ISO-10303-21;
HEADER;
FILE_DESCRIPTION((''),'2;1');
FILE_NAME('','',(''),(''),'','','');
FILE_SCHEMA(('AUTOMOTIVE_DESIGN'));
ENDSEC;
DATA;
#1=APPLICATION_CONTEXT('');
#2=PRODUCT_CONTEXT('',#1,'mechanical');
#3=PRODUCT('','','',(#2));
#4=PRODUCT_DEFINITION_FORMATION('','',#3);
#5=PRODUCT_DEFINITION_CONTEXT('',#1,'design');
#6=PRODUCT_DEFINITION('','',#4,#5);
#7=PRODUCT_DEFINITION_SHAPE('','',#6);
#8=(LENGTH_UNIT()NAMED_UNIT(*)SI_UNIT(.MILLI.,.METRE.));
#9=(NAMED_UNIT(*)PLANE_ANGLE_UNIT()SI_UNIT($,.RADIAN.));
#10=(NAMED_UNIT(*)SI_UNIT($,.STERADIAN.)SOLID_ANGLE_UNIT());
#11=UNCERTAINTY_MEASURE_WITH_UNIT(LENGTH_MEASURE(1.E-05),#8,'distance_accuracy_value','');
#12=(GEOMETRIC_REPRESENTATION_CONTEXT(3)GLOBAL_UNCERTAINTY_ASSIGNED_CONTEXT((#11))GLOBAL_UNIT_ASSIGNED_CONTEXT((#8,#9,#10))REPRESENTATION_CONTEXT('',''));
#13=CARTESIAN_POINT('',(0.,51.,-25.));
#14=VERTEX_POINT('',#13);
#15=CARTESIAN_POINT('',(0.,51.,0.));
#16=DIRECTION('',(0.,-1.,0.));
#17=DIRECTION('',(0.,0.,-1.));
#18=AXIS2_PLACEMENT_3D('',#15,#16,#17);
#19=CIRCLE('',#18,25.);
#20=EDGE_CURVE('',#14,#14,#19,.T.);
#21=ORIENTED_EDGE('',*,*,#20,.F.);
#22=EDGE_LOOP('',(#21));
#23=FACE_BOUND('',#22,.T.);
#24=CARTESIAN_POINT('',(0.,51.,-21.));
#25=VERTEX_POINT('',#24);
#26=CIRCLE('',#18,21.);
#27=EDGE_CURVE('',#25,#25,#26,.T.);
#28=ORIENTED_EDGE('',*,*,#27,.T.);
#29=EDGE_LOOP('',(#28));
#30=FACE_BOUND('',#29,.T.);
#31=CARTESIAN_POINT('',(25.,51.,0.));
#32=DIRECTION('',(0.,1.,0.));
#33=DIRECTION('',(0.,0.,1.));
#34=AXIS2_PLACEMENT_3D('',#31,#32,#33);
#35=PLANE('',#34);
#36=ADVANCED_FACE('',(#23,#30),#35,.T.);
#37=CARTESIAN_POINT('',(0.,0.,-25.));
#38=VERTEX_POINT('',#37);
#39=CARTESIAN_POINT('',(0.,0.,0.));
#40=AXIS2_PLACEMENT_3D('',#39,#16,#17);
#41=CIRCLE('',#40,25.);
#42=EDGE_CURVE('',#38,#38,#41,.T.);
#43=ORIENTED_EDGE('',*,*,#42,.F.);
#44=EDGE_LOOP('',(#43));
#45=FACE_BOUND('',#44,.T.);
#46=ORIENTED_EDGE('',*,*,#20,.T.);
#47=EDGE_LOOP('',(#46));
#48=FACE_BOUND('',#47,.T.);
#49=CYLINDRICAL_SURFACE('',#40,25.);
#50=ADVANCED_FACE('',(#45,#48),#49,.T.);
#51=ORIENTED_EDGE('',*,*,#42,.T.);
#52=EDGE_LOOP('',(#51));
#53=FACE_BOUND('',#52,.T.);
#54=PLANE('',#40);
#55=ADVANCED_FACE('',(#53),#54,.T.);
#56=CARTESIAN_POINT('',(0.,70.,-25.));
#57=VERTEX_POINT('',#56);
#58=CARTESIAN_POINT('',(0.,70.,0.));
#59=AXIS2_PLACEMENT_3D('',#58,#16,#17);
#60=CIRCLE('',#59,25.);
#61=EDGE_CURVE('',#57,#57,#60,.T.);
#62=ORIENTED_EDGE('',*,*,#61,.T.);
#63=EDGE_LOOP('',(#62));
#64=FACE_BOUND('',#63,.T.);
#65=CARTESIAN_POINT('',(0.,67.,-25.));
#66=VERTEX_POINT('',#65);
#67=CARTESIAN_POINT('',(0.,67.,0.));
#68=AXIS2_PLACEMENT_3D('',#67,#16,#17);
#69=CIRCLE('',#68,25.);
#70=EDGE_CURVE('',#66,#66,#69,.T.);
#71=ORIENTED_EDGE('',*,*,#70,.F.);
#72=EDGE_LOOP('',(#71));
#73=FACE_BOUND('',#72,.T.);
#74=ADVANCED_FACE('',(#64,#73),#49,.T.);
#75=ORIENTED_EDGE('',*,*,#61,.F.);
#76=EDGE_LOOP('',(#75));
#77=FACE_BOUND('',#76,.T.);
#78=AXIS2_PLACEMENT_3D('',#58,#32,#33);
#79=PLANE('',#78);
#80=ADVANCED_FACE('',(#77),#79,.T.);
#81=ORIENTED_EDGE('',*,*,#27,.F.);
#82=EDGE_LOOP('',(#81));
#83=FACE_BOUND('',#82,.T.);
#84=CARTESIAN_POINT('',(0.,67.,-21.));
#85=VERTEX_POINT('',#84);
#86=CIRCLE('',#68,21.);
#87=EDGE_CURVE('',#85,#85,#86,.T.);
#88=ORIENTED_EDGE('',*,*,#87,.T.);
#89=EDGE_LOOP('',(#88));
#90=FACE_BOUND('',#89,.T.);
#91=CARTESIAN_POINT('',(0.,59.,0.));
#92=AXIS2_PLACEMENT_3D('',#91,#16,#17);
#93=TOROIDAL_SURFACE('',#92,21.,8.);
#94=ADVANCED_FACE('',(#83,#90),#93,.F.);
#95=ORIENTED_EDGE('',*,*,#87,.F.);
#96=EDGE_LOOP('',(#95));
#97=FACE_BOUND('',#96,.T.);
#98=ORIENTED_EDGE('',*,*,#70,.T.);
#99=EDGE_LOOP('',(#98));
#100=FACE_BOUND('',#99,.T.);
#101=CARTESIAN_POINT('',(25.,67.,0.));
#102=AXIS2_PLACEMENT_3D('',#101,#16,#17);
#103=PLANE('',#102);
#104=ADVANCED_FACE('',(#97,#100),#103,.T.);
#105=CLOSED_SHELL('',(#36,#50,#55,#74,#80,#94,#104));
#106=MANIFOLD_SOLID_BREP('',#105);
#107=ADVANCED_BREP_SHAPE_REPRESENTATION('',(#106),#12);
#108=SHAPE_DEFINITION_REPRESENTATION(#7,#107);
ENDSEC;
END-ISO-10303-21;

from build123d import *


with BuildPart() as part:
    # Sketch1 → Revolve1 (revolve)
    with BuildSketch(Plane.XY):
        with BuildLine():
            Line((0, 0), (0, 70))
            Line((0, 70), (25, 70))
            Line((25, 70), (25, 67))
            Line((25, 67), (21, 67))
            ThreePointArc((21, 67), (13, 59), (21, 51))
            Line((21, 51), (25, 51))
            Line((25, 51), (25, 0))
            Line((25, 0), (0, 0))
        make_face()
    revolve(axis=Axis((0, 0, 0), (0, 1, 0)))


solid = part.part
